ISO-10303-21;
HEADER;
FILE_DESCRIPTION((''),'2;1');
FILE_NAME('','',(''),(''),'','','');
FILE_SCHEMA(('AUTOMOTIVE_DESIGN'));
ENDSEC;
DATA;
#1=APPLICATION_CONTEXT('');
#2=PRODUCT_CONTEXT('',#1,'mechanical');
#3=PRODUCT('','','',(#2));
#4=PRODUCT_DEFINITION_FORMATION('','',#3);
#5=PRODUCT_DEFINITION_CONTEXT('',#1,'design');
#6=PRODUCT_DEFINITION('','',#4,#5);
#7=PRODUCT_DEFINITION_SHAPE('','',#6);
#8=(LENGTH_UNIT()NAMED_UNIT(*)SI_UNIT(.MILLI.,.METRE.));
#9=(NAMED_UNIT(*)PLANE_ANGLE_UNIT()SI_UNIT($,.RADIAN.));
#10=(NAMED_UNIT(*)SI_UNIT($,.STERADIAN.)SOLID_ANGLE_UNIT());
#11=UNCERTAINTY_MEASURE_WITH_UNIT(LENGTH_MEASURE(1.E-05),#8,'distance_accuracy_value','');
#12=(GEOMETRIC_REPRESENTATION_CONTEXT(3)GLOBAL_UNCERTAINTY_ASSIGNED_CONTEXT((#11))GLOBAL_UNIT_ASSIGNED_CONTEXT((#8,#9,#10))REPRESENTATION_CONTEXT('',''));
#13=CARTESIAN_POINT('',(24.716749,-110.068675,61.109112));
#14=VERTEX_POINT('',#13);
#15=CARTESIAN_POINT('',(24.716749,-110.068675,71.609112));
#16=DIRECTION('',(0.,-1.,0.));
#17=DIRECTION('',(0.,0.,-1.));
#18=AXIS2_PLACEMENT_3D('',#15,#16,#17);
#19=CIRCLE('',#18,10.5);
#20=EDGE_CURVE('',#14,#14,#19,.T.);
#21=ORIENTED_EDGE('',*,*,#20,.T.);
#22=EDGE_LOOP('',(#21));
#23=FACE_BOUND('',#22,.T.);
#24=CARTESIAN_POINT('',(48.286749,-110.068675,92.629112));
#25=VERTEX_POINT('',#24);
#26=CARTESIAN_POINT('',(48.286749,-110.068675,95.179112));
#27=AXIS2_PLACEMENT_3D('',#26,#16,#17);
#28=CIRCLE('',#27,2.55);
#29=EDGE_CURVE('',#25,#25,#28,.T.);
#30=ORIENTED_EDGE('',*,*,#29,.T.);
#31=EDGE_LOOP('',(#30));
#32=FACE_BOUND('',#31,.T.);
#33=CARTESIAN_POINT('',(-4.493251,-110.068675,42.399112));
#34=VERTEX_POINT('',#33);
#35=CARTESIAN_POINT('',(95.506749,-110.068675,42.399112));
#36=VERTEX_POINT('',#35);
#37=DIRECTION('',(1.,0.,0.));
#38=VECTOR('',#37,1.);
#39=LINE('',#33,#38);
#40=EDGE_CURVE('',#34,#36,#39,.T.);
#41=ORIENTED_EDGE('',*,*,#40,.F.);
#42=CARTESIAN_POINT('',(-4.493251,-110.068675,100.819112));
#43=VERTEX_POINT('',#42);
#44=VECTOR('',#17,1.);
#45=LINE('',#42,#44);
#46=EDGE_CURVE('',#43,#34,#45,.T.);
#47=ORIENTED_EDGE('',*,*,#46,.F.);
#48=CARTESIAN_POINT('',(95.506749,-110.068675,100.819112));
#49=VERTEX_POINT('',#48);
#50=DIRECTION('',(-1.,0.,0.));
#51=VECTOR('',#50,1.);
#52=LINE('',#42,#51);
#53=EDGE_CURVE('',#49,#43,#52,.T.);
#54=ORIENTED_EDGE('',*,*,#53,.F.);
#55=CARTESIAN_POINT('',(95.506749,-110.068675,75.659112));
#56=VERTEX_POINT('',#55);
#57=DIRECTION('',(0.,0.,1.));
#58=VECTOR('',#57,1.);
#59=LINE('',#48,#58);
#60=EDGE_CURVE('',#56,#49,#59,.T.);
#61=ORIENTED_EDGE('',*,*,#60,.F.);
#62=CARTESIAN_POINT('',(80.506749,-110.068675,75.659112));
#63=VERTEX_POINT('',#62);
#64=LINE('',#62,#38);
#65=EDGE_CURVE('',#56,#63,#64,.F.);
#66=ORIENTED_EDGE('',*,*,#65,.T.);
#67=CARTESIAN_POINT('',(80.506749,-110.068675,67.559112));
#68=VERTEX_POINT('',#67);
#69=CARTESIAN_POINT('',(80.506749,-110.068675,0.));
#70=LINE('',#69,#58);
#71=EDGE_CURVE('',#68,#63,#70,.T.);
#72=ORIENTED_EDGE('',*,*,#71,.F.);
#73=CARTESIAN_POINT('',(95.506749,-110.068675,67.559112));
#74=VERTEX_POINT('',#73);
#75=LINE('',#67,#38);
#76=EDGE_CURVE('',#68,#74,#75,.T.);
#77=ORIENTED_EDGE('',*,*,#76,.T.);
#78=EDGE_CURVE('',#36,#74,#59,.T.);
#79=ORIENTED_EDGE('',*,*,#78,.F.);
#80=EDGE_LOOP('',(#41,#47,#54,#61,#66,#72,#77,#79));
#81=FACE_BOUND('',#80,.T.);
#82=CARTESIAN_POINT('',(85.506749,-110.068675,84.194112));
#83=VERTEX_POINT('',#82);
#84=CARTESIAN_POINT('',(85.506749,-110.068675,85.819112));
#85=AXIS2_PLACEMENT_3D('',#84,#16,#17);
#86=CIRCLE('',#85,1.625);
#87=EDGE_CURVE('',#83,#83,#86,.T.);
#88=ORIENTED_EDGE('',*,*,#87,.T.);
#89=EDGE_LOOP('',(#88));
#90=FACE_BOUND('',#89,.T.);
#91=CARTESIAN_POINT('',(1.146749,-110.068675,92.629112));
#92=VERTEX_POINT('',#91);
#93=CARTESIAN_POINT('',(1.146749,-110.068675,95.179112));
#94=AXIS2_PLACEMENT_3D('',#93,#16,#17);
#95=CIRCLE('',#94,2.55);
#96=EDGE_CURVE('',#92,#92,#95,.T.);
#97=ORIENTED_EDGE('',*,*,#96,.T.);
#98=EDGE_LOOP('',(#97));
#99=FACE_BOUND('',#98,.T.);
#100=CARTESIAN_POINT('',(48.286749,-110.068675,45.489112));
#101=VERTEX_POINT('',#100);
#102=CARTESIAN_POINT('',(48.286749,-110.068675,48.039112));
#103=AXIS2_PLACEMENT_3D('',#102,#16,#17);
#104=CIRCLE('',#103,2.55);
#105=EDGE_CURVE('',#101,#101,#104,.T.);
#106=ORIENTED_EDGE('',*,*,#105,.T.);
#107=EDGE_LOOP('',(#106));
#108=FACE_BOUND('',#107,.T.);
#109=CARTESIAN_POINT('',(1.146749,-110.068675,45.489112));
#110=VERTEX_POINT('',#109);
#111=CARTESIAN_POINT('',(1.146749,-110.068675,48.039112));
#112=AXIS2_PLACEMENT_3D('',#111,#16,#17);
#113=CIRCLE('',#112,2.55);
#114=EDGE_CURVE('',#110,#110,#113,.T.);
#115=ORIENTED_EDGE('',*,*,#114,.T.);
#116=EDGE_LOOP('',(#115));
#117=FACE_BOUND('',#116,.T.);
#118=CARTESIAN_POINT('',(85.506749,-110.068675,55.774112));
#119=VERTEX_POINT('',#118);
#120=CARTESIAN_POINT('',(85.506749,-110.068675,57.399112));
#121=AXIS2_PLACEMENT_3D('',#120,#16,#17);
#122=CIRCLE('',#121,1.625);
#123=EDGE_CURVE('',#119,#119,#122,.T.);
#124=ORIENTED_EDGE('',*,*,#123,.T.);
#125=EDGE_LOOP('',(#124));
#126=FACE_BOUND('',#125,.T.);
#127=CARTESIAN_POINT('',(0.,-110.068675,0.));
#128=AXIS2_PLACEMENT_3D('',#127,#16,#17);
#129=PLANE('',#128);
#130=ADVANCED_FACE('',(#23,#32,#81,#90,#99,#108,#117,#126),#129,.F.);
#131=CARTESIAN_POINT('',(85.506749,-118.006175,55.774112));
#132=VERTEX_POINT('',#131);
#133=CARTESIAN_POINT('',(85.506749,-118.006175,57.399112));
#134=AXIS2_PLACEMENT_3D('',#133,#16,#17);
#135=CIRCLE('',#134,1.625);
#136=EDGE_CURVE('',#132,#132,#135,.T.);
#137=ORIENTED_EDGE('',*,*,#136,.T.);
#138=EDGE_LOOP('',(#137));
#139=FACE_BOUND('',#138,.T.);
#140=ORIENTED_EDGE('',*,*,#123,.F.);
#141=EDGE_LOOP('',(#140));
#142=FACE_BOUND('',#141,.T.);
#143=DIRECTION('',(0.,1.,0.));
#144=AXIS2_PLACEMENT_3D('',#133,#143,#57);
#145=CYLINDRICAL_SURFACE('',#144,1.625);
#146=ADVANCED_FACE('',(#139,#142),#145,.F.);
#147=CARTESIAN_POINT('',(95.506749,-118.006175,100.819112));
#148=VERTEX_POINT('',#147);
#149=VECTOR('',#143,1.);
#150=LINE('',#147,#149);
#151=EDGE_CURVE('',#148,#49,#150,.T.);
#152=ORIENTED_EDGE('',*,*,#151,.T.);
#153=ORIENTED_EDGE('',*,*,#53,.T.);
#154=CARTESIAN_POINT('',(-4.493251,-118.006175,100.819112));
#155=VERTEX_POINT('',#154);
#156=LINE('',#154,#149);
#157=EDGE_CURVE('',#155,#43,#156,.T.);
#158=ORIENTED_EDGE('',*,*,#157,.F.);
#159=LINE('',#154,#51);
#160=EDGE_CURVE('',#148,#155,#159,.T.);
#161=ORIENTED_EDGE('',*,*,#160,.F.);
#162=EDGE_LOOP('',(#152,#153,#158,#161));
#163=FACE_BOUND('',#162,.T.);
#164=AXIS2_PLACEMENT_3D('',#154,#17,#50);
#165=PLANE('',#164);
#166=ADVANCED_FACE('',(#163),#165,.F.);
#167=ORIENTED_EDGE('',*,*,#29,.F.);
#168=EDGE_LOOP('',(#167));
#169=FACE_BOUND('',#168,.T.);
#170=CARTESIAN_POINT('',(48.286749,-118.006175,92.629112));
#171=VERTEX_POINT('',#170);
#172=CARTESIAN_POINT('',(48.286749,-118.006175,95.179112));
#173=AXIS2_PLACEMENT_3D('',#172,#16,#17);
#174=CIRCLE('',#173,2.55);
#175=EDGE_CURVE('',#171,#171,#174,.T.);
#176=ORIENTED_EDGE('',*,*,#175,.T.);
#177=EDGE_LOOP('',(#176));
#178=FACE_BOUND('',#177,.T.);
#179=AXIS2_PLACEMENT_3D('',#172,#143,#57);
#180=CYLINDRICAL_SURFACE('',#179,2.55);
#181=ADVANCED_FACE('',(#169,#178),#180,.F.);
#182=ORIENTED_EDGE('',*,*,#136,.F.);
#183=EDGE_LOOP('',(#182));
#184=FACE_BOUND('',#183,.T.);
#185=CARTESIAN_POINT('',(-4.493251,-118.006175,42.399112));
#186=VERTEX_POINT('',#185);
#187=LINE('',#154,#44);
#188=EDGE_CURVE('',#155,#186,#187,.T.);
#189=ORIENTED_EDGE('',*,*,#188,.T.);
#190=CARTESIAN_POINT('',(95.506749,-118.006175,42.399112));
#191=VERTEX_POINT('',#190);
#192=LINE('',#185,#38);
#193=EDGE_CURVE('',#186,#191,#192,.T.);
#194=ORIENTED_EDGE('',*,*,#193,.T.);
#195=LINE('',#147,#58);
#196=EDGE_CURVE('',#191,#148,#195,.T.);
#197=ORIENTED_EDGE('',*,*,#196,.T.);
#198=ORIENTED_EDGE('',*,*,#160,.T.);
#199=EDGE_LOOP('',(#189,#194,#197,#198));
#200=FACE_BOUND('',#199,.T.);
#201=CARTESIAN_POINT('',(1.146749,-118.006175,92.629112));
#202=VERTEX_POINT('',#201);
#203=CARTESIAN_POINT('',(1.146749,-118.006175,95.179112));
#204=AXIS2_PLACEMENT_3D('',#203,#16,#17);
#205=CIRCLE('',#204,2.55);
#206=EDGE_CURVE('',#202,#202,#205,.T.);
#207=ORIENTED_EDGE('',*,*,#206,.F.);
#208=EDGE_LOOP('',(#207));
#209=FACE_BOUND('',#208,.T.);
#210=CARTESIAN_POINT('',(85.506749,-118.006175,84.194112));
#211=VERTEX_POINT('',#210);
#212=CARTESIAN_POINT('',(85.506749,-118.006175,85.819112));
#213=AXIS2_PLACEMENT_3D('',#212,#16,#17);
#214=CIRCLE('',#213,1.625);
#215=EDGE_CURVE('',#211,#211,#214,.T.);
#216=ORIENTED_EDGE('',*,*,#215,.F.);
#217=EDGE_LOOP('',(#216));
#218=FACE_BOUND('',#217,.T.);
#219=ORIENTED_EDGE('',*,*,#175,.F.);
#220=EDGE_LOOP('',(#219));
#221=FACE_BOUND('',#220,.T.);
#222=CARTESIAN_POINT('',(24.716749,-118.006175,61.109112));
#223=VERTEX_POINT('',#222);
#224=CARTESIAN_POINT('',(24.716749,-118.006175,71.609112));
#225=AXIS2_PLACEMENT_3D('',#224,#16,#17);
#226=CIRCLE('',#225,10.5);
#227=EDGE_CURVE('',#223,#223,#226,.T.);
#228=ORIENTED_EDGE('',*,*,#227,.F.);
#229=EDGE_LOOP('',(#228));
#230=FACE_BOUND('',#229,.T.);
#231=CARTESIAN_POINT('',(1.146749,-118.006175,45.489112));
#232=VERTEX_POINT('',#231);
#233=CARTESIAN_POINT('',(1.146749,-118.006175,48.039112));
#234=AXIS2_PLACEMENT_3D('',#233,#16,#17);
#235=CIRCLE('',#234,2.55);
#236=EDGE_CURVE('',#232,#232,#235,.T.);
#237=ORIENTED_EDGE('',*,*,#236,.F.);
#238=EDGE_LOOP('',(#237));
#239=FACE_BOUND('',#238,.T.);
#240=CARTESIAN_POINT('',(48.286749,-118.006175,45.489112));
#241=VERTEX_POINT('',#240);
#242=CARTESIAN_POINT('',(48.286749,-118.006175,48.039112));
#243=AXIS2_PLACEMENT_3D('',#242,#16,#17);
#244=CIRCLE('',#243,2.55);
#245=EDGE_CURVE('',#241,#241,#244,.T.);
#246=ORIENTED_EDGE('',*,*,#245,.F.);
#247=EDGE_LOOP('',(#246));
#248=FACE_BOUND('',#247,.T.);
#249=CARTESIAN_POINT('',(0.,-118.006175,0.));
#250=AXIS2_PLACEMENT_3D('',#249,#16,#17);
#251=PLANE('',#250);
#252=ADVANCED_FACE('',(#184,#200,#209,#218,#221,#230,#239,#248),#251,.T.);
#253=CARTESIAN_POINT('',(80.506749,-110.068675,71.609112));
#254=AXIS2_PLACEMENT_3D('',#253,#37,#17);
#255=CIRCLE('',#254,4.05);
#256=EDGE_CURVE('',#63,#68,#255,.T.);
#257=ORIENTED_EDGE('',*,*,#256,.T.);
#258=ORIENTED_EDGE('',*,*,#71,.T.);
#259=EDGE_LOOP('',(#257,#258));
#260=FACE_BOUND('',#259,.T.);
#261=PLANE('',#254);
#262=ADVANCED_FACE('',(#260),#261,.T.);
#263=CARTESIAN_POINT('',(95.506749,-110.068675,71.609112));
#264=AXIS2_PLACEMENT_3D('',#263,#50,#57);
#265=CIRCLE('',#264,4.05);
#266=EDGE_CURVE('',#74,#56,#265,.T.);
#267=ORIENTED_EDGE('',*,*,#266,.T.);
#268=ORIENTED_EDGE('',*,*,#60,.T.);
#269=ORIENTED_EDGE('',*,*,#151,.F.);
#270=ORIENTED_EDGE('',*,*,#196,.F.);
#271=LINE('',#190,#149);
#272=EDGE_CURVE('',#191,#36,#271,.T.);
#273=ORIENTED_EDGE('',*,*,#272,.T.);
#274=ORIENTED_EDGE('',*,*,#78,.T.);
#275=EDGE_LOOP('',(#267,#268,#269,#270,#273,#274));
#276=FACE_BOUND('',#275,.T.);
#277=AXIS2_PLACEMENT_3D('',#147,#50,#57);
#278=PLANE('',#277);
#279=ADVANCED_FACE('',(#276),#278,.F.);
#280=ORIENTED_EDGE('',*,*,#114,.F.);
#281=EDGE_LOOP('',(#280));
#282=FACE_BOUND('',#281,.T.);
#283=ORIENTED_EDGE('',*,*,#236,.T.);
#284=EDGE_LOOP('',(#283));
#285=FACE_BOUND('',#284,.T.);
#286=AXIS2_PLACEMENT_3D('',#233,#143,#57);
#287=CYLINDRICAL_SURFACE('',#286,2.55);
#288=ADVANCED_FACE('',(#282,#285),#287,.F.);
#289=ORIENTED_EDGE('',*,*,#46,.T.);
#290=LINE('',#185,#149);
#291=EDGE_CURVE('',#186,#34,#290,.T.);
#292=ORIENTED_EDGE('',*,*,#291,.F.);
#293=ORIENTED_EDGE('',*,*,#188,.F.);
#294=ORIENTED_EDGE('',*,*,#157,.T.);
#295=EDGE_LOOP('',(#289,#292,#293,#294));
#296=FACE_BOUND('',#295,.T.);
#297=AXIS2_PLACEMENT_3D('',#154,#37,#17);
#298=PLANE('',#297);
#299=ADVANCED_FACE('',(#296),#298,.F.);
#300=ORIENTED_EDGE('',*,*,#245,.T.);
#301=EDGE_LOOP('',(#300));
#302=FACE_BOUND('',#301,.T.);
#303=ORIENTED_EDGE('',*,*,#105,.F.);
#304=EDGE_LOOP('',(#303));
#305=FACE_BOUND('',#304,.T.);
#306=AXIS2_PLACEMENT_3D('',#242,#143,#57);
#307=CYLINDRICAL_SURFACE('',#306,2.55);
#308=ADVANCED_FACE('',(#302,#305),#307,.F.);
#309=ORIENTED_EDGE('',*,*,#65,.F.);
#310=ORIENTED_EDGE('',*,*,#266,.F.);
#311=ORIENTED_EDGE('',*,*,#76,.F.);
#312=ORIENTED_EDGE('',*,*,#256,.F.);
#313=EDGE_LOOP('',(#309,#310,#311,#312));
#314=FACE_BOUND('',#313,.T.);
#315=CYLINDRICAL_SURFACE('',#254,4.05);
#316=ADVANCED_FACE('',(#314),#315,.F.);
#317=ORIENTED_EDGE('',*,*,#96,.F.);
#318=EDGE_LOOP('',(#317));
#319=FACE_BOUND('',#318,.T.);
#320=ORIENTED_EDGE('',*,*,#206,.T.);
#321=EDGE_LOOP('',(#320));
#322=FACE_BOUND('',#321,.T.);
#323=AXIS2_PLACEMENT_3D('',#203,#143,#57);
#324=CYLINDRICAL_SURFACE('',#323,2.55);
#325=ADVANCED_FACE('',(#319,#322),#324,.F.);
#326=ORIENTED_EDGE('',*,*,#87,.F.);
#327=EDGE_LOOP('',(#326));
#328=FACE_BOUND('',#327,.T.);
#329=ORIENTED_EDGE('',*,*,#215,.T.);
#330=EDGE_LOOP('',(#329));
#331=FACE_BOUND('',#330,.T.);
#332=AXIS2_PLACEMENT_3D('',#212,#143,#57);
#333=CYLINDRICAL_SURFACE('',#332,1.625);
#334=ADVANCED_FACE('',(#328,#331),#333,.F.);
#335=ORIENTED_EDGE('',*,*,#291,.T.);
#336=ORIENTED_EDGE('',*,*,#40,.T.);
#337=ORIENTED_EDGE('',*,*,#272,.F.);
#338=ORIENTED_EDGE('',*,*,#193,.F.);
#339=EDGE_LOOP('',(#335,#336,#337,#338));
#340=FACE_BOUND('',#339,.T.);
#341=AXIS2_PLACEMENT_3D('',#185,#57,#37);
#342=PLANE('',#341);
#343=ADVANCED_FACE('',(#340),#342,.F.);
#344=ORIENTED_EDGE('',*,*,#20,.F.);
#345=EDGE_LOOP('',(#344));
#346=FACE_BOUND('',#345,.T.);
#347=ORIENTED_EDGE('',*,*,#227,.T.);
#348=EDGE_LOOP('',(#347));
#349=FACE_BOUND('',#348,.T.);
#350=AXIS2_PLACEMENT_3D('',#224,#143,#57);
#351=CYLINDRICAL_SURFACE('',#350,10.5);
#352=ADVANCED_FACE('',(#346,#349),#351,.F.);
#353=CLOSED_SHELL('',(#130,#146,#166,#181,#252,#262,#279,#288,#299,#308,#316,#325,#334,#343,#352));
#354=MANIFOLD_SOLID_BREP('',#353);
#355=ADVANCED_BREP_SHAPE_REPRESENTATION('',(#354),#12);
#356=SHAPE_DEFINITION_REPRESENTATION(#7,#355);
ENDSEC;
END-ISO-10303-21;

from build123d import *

# Parameters (mm, degrees)
SKETCH1_W           = 100
SKETCH1_H           = 58.42
SKETCH1_R           = 2.55
SKETCH1_R_2         = 1.625
SKETCH1_R_3         = 10.5
BOSS_EXTRUDE1_DEPTH = 7.9375
SKETCH2_R           = 4.05
CUT_EXTRUDE1_DEPTH  = 15


with BuildPart() as part:
    # Sketch1 → Boss-Extrude1 (new body)
    with BuildSketch(Plane.XZ.offset(110.068674648)):
        with Locations((45.506748586, 71.609111908)):
            Rectangle(SKETCH1_W, SKETCH1_H)
        with Locations(Location((1.146748586, 95.179111908, 0), (0, 0, 270))):
            Circle(SKETCH1_R, mode=Mode.SUBTRACT)
        with Locations(Location((1.146748586, 48.039111908, 0), (0, 0, 270))):
            Circle(SKETCH1_R, mode=Mode.SUBTRACT)
        with Locations(Location((48.286748586, 48.039111908, 0), (0, 0, 270))):
            Circle(SKETCH1_R, mode=Mode.SUBTRACT)
        with Locations(Location((48.286748586, 95.179111908, 0), (0, 0, 270))):
            Circle(SKETCH1_R, mode=Mode.SUBTRACT)
        with Locations(Location((85.506748586, 85.819111908, 0), (0, 0, 270))):
            Circle(SKETCH1_R_2, mode=Mode.SUBTRACT)
        with Locations(Location((85.506748586, 57.399111908, 0), (0, 0, 270))):
            Circle(SKETCH1_R_2, mode=Mode.SUBTRACT)
        with Locations(Location((24.716748586, 71.609111908, 0), (0, 0, 270))):
            Circle(SKETCH1_R_3, mode=Mode.SUBTRACT)
    extrude(amount=BOSS_EXTRUDE1_DEPTH)

    # Sketch2 → Cut-Extrude1 (cut)
    with BuildSketch(Plane(origin=(95.506748586, -1.5875, 13.918119016), x_dir=(0, 0, -1), z_dir=(1, 0, 0))):
        with Locations((-57.690992892, -108.481174648)):
            Circle(SKETCH2_R)
    extrude(amount=-CUT_EXTRUDE1_DEPTH, mode=Mode.SUBTRACT)


solid = part.part
